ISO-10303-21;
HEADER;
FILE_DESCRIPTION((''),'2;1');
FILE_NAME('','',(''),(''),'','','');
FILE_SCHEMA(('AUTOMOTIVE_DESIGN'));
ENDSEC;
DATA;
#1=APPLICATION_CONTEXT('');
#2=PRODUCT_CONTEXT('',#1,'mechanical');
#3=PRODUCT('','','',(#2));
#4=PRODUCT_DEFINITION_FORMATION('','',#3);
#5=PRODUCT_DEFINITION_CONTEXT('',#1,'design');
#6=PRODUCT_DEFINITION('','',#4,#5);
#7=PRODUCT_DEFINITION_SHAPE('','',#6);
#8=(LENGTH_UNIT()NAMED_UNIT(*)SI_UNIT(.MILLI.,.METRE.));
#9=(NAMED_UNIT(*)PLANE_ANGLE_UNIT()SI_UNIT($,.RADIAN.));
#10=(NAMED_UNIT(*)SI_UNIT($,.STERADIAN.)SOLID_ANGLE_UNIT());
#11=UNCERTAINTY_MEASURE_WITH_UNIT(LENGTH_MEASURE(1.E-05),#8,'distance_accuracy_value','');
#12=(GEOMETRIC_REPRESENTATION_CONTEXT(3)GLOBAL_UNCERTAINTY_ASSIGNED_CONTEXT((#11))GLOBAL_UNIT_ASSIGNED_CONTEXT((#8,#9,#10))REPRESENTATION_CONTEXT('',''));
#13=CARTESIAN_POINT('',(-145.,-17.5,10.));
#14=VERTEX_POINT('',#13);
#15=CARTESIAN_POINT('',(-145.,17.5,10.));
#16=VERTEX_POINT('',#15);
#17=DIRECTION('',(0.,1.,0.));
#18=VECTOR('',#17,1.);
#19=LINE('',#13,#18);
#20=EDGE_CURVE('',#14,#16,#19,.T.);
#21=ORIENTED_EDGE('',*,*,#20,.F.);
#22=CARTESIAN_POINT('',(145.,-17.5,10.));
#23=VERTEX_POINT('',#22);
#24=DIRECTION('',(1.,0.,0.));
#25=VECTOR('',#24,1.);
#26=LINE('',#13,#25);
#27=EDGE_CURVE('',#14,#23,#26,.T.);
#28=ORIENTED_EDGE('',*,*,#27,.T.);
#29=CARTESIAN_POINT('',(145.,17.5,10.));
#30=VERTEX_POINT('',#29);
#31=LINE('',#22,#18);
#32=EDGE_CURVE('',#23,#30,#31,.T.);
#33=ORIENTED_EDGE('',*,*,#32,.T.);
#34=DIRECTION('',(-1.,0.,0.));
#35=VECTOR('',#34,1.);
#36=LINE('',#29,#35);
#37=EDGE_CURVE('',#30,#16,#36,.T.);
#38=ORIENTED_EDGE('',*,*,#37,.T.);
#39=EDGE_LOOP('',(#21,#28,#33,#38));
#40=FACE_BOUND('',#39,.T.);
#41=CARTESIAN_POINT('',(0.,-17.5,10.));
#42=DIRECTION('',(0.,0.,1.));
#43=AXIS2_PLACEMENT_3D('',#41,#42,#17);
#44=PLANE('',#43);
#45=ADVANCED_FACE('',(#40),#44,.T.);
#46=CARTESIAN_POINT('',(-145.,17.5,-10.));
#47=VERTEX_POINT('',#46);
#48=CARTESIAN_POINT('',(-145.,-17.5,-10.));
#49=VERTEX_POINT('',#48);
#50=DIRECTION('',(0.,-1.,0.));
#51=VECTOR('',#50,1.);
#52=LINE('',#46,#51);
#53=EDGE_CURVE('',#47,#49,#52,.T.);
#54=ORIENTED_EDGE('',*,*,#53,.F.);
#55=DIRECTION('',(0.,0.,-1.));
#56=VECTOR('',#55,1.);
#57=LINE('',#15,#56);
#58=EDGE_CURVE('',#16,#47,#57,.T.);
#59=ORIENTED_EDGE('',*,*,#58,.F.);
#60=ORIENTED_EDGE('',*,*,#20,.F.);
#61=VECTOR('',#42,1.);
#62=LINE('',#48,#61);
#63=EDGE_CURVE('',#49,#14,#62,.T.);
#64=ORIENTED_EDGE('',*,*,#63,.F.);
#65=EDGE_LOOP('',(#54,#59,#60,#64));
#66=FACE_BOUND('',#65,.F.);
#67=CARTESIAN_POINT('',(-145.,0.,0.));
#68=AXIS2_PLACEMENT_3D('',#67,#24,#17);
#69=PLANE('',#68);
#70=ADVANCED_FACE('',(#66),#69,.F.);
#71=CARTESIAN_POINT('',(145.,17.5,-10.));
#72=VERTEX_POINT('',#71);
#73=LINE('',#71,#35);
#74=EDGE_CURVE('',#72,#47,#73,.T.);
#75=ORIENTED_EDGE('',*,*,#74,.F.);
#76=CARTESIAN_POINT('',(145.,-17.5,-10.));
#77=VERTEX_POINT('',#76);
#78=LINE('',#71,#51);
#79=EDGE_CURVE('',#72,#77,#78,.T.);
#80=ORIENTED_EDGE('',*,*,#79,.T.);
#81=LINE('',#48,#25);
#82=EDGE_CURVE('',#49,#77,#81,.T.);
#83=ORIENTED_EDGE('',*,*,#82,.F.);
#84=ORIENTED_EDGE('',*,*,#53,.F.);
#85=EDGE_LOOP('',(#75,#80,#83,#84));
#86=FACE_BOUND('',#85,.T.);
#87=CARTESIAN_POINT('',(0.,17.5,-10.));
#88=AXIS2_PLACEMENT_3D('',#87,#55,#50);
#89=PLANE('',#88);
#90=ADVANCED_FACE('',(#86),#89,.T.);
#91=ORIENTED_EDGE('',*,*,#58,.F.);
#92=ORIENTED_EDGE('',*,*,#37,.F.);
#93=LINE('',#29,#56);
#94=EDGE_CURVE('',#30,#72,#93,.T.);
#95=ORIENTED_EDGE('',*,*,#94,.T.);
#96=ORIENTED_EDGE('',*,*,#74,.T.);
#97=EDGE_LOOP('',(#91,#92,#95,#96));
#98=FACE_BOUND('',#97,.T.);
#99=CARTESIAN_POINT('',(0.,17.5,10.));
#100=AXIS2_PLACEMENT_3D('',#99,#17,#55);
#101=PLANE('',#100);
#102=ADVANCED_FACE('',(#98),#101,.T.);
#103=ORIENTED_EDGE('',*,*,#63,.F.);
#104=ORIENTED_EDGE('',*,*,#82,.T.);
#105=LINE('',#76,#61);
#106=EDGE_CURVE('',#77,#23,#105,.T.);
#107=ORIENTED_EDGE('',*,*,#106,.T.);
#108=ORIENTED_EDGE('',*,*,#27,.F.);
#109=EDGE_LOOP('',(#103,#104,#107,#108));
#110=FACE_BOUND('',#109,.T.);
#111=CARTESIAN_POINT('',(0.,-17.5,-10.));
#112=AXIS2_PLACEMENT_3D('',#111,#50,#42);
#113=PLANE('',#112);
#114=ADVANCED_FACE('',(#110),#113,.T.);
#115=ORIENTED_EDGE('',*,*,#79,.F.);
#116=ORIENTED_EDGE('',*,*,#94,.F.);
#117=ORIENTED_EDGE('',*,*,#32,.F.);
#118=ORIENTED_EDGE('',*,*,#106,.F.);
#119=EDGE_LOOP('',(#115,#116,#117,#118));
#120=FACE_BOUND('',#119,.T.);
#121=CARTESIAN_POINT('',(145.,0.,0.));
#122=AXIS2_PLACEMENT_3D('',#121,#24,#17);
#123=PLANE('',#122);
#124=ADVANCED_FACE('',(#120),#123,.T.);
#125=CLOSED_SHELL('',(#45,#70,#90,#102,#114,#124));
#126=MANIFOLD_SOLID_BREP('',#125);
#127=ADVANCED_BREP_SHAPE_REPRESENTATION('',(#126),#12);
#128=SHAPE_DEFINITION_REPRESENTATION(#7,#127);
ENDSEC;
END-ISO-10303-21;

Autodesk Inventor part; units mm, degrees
ref_plane "YZ Plane" through (0, 0, 0) normal (1, 0, 0) x (0, 1, 0)
ref_plane "XZ Plane" through (0, 0, 0) normal (0, 1, 0) x (-1, 0, 0)
ref_plane "XY Plane" through (0, 0, 0) normal (0, 0, 1) x (1, 0, 0)
sketch "Sketch1" plane through (0, 0, 0) normal (1, 0, 0) x (0, 1, 0)
  line L0 (-17.5, 10) -> (17.5, 10)
  line L1 (17.5, 10) -> (17.5, -10)
  line L2 (17.5, -10) -> (-17.5, -10)
  line L3 (-17.5, -10) -> (-17.5, 10)
  line L4 (-17.5, 10) -> (17.5, -10) construction
  line L5 (17.5, 10) -> (-17.5, -10) construction
  point P0 (0, 0)
  dimension "d0" = 35
  dimension "d1" = 20
extrude "Extrusion1" add sketch "Sketch1" along normal mid plane 290
properties part number "LinearScale-290mm"
